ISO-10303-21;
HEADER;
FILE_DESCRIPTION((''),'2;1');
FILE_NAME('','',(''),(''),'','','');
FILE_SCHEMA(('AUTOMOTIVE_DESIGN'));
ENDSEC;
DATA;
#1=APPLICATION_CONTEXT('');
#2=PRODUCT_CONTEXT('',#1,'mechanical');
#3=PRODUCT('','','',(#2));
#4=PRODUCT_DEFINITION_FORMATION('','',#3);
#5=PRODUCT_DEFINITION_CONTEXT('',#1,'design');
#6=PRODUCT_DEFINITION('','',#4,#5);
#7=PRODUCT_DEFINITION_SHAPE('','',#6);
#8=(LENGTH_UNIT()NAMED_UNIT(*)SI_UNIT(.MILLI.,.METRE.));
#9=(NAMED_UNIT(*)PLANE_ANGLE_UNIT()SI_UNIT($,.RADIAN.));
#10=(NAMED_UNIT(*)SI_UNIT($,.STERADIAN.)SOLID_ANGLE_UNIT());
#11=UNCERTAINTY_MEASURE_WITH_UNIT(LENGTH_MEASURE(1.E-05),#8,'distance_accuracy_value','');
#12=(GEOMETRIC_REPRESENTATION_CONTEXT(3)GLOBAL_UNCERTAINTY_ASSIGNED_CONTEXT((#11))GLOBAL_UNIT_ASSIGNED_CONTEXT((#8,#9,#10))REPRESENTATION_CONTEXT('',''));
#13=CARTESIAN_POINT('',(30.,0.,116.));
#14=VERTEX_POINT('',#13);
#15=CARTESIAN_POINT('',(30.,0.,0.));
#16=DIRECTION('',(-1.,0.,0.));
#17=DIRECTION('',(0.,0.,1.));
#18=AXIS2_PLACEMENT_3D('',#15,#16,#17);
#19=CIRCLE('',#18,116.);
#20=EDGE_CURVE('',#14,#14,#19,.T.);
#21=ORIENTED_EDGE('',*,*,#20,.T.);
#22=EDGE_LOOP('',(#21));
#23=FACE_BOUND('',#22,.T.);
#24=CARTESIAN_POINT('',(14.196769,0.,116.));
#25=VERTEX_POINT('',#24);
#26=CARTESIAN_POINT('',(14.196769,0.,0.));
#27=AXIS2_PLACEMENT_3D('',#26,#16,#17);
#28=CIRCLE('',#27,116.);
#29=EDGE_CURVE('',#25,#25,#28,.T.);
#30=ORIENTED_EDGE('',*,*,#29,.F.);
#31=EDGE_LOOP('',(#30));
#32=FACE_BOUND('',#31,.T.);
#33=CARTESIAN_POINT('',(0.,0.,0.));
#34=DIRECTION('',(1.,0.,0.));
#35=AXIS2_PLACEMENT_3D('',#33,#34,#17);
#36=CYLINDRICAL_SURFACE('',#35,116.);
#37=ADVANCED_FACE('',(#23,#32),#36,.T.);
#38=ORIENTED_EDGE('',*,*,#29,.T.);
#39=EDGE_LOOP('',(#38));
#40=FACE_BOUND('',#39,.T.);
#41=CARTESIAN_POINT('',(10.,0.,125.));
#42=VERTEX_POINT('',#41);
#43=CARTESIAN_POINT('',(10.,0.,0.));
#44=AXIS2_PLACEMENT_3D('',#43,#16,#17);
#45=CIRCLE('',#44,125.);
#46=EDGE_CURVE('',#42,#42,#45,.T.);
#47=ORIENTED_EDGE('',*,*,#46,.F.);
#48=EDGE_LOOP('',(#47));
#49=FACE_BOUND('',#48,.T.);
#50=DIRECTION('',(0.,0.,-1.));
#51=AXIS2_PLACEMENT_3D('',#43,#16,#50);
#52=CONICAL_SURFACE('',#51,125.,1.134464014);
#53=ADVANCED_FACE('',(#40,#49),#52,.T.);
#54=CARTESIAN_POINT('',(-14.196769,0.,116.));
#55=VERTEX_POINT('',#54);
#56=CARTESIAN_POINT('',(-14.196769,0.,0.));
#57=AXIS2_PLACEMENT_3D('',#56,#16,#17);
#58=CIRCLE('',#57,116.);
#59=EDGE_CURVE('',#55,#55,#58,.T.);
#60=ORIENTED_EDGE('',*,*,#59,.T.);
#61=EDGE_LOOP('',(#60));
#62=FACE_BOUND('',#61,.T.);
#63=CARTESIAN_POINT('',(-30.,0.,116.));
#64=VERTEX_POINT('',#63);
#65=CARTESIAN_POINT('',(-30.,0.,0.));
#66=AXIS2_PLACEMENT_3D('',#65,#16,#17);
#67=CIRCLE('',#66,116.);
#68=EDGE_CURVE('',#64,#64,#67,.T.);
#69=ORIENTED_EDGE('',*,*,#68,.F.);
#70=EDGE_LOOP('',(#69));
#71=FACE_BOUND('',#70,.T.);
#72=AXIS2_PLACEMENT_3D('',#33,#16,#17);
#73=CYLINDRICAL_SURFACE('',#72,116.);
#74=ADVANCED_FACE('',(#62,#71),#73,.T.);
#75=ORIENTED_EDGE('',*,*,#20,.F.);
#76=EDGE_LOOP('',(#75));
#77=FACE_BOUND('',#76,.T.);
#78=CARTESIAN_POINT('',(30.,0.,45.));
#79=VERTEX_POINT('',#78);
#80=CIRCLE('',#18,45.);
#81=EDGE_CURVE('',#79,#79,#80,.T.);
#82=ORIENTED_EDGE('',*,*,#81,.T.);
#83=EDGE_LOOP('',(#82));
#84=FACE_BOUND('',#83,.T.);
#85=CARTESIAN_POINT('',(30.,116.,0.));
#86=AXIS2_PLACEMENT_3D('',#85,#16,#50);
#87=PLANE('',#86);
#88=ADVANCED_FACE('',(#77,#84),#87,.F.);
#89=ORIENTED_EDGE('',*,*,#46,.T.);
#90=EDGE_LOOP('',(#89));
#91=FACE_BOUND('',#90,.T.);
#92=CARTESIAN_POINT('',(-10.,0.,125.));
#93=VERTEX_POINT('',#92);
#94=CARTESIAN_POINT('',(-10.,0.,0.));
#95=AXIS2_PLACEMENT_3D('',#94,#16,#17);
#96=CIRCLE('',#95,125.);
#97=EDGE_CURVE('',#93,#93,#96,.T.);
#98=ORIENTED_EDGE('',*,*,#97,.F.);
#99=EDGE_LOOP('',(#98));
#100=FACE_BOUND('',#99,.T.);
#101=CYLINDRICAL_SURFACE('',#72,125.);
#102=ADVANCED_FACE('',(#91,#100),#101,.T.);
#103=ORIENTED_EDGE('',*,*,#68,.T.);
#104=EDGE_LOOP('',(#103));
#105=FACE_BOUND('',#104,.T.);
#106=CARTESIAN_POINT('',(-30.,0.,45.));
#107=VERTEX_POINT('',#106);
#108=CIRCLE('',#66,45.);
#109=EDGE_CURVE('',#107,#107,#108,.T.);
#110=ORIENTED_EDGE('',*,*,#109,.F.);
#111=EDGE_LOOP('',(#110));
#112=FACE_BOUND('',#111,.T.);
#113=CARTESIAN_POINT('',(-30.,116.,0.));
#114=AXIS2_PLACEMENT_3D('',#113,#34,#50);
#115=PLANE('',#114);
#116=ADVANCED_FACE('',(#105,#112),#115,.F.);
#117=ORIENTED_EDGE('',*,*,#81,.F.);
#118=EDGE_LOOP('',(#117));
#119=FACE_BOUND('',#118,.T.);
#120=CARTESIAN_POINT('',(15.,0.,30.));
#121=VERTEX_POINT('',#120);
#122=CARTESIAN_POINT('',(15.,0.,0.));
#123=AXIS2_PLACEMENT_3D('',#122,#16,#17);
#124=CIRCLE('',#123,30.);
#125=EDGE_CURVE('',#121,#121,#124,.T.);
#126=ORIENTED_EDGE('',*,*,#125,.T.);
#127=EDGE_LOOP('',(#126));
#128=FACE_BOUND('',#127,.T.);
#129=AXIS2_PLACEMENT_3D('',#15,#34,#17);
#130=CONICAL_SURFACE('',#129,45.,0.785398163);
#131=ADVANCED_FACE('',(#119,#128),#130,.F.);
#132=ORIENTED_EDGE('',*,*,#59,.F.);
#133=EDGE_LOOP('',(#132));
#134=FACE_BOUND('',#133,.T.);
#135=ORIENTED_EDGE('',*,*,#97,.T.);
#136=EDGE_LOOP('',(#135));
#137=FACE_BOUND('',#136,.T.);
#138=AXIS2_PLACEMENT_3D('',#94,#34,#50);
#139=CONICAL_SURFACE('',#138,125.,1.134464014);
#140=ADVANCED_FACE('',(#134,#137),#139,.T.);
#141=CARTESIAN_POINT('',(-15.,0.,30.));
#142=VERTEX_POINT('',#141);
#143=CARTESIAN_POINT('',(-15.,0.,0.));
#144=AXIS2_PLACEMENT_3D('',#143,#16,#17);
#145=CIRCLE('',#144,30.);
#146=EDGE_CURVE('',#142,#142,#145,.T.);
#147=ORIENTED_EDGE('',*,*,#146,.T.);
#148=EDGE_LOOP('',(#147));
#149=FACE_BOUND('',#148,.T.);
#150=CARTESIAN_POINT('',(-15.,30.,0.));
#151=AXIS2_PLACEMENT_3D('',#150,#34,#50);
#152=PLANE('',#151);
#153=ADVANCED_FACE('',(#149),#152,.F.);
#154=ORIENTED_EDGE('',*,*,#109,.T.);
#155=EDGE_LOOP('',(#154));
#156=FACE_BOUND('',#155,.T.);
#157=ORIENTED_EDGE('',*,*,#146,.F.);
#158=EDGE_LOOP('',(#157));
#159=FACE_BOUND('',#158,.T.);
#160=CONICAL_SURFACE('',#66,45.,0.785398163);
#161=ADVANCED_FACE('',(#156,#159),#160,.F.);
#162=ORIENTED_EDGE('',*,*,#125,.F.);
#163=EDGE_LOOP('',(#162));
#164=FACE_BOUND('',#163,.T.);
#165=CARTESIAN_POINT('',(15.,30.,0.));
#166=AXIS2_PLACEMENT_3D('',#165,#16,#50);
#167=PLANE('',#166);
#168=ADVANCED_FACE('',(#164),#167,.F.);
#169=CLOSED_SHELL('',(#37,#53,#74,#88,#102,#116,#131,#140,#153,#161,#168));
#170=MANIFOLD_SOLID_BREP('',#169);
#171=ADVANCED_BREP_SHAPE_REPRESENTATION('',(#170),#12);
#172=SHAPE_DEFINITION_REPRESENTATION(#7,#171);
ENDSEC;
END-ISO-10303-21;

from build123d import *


with BuildPart() as part:
    # Sketch1 → Revolve1 (revolve)
    with BuildSketch(Plane.XY, mode=Mode.PRIVATE) as revolve1_sk:
        Polygon((0, 0), (0, 125), (-10, 125), (-14.196768923, 116), (-30, 116), (-30, 45), (-15, 30), (-15, 0), align=None)
    revolve(revolve1_sk.sketch.rotate(Axis((0, 0, 0), (1, 0, 0)), 90), axis=Axis((0, 0, 0), (1, 0, 0)))

    # Mirror1: part across plane


with BuildPart() as part_1:
    add(part.part)
    add(part.part.mirror(Plane.ZY))


solid = part_1.part
